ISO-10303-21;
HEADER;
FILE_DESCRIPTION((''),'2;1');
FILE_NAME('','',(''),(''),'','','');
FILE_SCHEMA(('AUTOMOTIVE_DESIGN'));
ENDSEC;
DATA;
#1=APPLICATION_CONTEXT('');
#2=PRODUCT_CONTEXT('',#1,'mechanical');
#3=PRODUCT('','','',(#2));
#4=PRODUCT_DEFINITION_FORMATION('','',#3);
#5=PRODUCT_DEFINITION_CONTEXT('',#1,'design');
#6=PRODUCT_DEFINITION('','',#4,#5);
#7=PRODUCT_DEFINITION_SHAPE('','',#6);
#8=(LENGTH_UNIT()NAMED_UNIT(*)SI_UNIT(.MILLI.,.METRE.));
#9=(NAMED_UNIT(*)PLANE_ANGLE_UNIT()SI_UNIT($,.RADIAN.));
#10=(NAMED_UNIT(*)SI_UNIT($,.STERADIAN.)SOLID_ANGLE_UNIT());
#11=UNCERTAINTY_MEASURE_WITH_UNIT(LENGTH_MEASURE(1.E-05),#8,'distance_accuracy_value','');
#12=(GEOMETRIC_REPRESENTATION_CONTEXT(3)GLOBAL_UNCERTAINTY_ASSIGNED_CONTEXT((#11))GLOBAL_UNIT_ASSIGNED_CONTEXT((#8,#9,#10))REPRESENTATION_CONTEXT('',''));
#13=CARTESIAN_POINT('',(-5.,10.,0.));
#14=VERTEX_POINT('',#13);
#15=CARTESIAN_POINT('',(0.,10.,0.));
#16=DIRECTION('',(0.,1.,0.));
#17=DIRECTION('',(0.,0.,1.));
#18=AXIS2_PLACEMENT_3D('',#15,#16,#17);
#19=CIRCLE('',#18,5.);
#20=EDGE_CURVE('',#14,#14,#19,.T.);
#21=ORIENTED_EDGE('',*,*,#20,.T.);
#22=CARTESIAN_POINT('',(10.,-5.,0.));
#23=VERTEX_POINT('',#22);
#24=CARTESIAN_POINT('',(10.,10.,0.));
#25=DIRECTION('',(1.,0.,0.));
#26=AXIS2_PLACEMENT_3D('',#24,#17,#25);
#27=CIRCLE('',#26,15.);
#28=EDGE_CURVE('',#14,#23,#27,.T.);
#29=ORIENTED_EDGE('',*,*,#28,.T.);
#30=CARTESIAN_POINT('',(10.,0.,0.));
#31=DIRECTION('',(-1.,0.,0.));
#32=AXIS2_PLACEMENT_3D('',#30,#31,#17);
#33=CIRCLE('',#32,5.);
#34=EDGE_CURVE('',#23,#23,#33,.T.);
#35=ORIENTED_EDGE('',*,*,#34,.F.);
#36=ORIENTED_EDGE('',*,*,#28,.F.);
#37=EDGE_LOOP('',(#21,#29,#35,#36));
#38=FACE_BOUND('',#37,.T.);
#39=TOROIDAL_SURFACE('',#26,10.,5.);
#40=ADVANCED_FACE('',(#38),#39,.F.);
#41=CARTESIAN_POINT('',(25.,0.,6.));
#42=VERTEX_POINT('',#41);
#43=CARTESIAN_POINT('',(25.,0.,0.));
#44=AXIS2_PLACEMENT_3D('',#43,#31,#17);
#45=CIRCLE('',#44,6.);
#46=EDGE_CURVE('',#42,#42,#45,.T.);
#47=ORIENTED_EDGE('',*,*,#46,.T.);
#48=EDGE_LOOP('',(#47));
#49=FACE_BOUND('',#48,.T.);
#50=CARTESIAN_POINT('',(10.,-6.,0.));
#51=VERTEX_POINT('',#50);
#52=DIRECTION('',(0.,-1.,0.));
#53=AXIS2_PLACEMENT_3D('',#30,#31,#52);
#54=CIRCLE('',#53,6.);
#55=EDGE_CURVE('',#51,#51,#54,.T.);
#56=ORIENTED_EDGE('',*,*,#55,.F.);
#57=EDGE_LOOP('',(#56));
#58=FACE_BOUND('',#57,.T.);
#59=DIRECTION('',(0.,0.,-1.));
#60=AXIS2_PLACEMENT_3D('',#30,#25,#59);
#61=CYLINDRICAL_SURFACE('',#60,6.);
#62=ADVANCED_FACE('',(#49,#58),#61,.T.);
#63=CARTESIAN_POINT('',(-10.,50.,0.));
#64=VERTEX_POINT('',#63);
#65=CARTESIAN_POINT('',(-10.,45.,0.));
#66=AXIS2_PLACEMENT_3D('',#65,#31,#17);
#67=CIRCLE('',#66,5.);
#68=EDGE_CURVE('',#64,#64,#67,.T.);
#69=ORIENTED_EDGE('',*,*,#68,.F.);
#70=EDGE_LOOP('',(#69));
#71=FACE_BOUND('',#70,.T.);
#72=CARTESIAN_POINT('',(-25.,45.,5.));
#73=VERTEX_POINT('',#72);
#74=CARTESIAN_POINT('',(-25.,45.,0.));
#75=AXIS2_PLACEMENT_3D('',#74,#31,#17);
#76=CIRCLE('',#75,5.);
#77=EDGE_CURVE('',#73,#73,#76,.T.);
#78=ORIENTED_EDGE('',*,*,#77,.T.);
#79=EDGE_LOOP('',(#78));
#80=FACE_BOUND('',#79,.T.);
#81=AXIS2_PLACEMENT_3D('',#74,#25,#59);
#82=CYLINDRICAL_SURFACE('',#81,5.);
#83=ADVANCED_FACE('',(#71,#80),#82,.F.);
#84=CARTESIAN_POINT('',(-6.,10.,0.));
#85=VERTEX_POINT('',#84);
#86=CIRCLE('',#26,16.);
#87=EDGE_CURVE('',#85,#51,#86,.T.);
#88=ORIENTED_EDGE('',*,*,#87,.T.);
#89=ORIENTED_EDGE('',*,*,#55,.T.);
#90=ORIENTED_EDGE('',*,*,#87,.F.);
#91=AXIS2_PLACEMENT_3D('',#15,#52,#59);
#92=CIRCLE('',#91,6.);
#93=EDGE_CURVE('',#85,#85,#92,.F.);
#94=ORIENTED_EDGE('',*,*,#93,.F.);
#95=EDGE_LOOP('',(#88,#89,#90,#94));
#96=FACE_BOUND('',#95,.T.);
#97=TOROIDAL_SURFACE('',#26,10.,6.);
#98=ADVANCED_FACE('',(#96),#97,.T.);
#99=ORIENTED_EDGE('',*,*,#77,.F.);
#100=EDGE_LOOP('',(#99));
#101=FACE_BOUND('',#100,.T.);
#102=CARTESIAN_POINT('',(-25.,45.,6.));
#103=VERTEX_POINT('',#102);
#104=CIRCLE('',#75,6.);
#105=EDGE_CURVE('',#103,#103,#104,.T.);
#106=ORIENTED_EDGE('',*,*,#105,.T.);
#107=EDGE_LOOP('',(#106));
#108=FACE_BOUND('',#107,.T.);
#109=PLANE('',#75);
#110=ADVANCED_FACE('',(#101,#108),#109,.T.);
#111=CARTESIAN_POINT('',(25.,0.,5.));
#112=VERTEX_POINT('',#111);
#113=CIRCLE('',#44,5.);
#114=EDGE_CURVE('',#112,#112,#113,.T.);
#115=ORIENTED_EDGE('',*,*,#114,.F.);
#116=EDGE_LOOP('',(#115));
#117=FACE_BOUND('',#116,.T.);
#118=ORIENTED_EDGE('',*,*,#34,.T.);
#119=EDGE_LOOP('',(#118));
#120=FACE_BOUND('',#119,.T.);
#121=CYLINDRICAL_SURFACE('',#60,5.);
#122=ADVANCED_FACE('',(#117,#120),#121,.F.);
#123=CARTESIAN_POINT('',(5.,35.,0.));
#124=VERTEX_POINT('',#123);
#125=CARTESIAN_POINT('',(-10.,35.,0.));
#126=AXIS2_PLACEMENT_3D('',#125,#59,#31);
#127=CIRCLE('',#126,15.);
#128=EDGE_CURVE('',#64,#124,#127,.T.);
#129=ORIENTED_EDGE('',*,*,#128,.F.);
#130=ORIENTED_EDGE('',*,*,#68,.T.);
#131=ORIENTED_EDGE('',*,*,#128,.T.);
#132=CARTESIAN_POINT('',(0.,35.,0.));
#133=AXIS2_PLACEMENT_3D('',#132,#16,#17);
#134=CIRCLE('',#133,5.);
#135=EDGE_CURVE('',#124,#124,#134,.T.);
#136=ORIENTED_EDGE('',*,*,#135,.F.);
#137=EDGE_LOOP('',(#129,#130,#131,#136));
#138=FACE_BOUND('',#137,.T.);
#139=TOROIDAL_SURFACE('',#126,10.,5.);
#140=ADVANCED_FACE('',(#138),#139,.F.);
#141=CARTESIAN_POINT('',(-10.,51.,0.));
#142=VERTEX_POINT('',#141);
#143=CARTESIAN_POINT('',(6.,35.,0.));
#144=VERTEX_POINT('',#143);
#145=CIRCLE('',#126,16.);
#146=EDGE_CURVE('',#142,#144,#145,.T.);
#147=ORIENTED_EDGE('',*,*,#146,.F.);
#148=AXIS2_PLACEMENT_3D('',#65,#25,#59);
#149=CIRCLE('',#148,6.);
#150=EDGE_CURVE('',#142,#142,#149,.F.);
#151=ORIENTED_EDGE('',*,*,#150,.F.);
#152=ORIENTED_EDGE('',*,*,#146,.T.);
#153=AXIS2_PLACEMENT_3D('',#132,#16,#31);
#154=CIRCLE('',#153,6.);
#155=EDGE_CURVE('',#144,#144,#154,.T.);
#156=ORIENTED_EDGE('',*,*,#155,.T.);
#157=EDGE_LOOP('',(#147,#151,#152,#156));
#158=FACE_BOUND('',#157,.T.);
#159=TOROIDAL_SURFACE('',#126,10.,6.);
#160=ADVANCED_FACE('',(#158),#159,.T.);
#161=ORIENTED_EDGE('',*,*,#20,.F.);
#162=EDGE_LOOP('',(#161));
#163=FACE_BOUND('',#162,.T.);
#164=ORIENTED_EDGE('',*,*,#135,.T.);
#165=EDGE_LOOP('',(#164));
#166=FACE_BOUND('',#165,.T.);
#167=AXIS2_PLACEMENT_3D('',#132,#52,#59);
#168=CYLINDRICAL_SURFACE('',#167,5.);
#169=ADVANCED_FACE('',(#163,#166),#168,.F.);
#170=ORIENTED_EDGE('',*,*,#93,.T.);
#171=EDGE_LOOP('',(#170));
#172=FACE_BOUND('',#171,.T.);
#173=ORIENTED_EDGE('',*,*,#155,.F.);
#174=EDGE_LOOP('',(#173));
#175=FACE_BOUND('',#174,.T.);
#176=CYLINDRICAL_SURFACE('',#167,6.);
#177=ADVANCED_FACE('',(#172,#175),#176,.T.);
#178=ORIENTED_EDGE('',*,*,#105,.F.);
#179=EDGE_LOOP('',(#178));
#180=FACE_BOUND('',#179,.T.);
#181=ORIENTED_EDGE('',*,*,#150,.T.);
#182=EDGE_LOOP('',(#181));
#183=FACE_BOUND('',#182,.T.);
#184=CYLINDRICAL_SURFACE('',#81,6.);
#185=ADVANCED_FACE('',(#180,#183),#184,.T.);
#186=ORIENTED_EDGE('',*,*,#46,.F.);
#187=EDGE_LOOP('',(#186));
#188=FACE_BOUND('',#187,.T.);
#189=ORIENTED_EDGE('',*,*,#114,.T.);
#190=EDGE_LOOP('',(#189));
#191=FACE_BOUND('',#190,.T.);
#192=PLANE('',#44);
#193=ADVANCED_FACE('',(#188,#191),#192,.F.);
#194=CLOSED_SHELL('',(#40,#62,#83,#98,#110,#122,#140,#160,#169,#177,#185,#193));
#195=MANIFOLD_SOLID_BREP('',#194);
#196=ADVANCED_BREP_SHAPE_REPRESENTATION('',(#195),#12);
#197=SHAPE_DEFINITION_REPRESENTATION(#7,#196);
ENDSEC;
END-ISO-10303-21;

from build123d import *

# Parameters (mm, degrees)
SWEEP_THIN1_PROFILE_R   = 6
SWEEP_THIN1_PROFILE_R_2 = 5


with BuildPart() as part:
    # Sweep-Thin1: sweep along a path in Sketch1
    with BuildLine(Plane.XY) as sweep_thin1_path:
        Line((-25, 45), (-10, 45))
        ThreePointArc((-10, 45), (-2.928932188, 42.071067812), (0, 35))
        Line((0, 35), (0, 10))
        ThreePointArc((0, 10), (2.928932188, 2.928932188), (10, 0))
        Line((10, 0), (25, 0))
    # Sweep-Thin1 profile (on start of the path) → Sweep-Thin1 (sweep)
    with BuildSketch(Plane(origin=(-25, 45, 0), x_dir=(0, 0, 1), z_dir=(1, 0, 0))):
        Circle(SWEEP_THIN1_PROFILE_R)
        Circle(SWEEP_THIN1_PROFILE_R_2, mode=Mode.SUBTRACT)
    sweep(path=sweep_thin1_path.line)


solid = part.part
